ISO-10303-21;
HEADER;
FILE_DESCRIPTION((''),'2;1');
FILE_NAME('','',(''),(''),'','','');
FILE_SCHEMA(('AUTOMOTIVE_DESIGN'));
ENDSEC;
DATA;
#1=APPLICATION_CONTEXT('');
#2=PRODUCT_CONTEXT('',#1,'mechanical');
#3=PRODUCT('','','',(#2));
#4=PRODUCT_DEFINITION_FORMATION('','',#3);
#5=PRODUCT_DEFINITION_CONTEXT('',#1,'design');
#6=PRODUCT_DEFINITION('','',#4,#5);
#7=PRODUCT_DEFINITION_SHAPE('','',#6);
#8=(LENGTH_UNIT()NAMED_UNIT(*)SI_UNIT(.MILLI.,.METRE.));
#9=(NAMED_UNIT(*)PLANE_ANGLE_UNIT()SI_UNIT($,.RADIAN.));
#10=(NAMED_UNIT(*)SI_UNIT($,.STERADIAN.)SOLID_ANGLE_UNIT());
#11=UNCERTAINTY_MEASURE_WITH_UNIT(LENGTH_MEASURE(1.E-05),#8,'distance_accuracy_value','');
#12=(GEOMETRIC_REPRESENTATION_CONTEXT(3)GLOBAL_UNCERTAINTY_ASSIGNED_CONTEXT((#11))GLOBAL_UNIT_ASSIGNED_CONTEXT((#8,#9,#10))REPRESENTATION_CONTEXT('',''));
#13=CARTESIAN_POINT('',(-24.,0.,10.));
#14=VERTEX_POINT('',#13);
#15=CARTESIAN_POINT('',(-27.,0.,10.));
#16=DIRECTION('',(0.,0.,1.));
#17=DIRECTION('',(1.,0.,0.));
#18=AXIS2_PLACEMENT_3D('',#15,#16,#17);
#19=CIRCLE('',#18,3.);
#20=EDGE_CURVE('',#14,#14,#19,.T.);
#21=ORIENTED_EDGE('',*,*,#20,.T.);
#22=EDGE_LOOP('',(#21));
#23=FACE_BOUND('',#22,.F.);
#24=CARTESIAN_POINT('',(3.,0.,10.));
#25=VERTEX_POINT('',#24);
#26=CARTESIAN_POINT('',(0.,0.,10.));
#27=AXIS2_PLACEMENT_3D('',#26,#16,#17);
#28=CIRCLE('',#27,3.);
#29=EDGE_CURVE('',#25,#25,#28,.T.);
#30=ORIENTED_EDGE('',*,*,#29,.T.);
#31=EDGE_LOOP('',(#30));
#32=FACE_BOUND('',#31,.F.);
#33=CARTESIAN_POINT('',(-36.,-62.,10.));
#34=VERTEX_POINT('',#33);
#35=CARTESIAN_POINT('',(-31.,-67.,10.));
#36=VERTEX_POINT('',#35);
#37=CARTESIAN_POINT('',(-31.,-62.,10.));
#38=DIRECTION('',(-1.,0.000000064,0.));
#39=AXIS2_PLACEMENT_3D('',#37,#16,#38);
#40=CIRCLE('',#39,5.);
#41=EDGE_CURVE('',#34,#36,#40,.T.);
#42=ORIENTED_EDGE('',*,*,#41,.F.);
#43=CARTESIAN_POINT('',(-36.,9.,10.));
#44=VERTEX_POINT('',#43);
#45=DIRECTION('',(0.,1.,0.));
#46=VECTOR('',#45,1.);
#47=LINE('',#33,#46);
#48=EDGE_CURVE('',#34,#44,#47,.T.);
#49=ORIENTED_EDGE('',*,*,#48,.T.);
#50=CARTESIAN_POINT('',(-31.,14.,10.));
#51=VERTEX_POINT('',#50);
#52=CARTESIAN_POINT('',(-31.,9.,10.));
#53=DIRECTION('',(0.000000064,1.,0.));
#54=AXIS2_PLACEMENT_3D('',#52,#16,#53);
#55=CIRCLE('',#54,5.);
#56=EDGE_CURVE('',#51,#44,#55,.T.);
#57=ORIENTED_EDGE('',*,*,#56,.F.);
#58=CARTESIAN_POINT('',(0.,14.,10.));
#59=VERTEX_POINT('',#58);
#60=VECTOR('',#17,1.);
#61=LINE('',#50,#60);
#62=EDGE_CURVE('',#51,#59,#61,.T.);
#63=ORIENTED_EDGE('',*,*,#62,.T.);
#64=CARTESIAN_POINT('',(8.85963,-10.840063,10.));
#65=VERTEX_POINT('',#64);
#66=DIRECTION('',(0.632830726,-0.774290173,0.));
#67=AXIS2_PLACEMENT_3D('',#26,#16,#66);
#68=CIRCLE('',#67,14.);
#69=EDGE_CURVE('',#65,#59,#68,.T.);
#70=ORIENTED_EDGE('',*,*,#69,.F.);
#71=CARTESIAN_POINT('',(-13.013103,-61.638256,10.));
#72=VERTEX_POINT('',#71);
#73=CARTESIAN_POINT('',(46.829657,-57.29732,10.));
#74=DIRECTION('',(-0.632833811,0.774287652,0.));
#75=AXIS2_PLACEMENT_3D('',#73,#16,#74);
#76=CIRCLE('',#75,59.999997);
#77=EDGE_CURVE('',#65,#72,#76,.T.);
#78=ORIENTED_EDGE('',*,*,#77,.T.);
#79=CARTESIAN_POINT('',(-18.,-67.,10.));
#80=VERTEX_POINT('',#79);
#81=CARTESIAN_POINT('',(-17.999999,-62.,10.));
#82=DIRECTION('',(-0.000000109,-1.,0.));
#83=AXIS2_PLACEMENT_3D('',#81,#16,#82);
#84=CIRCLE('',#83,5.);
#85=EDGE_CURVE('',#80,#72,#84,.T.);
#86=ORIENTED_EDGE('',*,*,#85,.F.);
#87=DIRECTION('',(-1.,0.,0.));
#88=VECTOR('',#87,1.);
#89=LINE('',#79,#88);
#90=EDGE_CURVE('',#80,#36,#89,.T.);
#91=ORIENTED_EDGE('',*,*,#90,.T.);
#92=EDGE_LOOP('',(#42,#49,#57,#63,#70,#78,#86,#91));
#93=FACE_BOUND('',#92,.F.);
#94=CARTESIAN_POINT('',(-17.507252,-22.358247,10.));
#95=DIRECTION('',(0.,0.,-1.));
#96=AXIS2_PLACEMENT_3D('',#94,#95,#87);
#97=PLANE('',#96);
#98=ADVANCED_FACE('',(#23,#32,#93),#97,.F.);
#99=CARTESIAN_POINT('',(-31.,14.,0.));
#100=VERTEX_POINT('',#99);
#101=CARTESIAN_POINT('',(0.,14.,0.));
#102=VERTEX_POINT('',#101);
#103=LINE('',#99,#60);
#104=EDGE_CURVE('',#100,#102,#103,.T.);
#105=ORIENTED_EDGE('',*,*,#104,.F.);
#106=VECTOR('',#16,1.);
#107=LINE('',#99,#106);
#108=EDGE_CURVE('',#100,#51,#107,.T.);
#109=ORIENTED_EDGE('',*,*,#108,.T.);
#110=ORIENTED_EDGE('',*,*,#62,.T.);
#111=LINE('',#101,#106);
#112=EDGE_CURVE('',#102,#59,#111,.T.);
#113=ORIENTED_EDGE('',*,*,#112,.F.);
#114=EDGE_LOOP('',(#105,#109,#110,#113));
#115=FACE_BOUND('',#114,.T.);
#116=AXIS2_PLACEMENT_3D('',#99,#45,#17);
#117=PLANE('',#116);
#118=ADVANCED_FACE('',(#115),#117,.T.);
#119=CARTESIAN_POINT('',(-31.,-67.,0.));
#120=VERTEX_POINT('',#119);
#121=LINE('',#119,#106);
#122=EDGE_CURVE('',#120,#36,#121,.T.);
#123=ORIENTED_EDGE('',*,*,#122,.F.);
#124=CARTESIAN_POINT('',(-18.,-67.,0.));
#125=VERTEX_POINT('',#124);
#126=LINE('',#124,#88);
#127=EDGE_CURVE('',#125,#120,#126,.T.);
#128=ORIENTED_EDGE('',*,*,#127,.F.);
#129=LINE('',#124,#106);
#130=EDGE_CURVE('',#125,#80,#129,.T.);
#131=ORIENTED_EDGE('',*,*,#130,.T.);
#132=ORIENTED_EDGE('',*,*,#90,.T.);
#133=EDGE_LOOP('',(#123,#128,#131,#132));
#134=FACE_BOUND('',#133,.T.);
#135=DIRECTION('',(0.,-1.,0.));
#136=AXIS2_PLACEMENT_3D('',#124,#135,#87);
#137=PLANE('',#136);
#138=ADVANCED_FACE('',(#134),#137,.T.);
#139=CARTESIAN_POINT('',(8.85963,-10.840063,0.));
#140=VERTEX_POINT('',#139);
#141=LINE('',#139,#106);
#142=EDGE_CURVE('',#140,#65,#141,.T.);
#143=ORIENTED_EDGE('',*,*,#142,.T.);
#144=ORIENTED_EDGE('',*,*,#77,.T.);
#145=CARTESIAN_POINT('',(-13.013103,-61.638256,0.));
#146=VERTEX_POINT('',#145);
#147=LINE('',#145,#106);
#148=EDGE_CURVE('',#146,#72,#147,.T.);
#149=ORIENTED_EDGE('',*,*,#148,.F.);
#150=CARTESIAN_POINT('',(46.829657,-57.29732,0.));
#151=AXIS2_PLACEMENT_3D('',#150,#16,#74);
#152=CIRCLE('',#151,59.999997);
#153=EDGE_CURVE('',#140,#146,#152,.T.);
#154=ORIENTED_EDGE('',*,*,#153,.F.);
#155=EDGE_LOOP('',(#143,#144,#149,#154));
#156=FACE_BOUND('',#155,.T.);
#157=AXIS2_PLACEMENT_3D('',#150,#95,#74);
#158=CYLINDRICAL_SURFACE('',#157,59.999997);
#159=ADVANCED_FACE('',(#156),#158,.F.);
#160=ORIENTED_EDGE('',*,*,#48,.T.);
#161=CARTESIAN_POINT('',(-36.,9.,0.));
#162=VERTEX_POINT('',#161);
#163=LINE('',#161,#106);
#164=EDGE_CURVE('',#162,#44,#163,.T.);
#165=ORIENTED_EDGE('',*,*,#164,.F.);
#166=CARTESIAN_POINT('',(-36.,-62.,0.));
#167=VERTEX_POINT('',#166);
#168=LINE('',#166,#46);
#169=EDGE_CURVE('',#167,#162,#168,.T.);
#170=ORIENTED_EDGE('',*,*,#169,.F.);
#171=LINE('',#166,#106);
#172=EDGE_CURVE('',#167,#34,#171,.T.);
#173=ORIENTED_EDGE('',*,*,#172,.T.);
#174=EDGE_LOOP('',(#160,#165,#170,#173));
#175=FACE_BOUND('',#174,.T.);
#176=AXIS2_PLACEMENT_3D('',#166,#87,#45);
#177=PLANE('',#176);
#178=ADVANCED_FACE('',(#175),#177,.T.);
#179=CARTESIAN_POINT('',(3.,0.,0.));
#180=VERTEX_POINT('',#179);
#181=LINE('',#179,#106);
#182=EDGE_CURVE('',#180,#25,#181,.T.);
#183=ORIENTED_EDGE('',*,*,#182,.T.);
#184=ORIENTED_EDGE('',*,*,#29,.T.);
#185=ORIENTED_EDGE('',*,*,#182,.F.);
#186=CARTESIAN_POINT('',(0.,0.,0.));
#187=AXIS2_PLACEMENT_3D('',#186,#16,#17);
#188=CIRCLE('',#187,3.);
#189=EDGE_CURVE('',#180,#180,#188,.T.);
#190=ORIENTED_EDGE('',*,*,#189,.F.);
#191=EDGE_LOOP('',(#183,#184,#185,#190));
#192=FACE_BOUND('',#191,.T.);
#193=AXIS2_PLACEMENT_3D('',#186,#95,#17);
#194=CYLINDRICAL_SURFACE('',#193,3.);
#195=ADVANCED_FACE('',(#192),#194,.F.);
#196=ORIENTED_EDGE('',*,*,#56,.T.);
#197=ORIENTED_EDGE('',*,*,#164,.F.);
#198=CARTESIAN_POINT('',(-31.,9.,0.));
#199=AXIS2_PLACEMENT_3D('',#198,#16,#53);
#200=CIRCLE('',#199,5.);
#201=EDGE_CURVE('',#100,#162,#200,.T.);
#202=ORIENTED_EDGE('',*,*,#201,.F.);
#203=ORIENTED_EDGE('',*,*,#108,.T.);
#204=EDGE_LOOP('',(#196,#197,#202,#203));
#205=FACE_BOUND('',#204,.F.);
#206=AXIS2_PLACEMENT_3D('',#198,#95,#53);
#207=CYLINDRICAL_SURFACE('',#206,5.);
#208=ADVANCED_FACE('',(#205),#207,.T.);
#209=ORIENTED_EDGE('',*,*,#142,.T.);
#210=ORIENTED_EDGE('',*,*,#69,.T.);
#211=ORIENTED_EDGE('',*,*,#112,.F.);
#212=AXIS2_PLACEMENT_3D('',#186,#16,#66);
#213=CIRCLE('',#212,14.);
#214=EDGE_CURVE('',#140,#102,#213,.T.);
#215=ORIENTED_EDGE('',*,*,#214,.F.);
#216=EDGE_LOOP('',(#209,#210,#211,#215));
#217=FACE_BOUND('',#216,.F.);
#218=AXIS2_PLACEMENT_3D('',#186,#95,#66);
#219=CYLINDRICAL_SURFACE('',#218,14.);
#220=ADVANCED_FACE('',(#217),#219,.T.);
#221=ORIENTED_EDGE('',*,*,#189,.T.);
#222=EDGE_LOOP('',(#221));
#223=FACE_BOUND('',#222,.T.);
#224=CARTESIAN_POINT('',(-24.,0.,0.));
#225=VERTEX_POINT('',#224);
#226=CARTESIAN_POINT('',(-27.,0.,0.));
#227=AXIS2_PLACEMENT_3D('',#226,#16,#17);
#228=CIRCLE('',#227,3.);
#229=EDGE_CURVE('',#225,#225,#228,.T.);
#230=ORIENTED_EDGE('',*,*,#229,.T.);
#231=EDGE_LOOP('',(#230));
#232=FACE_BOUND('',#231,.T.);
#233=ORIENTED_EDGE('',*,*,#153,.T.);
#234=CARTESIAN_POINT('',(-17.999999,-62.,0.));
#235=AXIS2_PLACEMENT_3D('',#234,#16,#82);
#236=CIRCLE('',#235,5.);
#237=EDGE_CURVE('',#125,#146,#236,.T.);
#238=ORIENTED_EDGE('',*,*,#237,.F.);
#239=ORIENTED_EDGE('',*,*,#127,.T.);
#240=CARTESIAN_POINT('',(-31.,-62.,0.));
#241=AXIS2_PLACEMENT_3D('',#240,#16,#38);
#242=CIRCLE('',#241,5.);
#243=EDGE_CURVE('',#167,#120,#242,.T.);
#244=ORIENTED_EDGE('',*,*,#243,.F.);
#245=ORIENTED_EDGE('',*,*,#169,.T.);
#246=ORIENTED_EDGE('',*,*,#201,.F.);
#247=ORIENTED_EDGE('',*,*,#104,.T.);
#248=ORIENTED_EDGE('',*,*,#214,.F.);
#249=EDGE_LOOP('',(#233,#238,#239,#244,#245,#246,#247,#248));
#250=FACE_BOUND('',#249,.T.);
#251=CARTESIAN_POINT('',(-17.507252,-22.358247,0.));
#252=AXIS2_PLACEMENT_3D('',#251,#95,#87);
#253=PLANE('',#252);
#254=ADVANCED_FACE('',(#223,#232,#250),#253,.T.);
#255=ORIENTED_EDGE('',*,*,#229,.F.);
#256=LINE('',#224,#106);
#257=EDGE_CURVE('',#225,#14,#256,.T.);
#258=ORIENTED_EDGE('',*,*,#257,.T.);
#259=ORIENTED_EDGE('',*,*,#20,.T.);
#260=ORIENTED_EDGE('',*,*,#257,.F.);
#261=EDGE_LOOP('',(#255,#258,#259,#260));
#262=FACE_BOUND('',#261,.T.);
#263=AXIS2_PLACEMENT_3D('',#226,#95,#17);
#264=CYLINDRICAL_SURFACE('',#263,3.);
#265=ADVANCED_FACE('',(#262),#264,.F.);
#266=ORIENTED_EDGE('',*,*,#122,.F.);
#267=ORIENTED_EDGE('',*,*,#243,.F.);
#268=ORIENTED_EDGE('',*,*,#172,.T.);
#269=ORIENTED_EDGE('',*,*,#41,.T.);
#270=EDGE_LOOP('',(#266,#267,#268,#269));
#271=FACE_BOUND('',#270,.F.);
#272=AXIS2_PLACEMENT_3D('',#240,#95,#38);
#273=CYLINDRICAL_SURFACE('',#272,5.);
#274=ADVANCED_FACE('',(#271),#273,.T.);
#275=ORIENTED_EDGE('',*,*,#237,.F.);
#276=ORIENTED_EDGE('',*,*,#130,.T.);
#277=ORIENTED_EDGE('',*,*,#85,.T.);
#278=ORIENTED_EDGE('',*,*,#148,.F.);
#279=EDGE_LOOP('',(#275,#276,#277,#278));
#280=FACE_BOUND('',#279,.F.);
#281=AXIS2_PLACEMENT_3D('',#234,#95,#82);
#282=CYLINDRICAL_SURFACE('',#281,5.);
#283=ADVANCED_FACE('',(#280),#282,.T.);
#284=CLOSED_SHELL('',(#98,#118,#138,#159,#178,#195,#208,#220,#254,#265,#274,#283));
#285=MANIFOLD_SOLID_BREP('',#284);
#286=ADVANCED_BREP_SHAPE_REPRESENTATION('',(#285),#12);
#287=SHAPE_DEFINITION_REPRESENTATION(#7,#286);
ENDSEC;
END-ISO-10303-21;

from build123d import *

# Parameters (mm, degrees)
SKETCH_R  = 3
PAD_DEPTH = 10


with BuildPart() as part:
    # Sketch → Pad (new body)
    with BuildSketch(Plane.XY):
        with BuildLine():
            Line((-31, 14), (0, 14))
            ThreePointArc((8.85963, -10.840063), (13.186373, 4.703144), (0, 14))
            ThreePointArc((8.85963, -10.840063), (-8.278867, -33.56864), (-13.013103, -61.638256))
            ThreePointArc((-18, -67), (-14.338803, -65.405237), (-13.013103, -61.638256))
            Line((-18, -67), (-31, -67))
            ThreePointArc((-36, -62), (-34.535534, -65.535534), (-31, -67))
            Line((-36, -62), (-36, 9))
            ThreePointArc((-31, 14), (-34.535534, 12.535534), (-36, 9))
        make_face()
        with Locations((-27, 0)):
            Circle(SKETCH_R, mode=Mode.SUBTRACT)
        Circle(SKETCH_R, mode=Mode.SUBTRACT)
    extrude(amount=PAD_DEPTH)


solid = part.part
